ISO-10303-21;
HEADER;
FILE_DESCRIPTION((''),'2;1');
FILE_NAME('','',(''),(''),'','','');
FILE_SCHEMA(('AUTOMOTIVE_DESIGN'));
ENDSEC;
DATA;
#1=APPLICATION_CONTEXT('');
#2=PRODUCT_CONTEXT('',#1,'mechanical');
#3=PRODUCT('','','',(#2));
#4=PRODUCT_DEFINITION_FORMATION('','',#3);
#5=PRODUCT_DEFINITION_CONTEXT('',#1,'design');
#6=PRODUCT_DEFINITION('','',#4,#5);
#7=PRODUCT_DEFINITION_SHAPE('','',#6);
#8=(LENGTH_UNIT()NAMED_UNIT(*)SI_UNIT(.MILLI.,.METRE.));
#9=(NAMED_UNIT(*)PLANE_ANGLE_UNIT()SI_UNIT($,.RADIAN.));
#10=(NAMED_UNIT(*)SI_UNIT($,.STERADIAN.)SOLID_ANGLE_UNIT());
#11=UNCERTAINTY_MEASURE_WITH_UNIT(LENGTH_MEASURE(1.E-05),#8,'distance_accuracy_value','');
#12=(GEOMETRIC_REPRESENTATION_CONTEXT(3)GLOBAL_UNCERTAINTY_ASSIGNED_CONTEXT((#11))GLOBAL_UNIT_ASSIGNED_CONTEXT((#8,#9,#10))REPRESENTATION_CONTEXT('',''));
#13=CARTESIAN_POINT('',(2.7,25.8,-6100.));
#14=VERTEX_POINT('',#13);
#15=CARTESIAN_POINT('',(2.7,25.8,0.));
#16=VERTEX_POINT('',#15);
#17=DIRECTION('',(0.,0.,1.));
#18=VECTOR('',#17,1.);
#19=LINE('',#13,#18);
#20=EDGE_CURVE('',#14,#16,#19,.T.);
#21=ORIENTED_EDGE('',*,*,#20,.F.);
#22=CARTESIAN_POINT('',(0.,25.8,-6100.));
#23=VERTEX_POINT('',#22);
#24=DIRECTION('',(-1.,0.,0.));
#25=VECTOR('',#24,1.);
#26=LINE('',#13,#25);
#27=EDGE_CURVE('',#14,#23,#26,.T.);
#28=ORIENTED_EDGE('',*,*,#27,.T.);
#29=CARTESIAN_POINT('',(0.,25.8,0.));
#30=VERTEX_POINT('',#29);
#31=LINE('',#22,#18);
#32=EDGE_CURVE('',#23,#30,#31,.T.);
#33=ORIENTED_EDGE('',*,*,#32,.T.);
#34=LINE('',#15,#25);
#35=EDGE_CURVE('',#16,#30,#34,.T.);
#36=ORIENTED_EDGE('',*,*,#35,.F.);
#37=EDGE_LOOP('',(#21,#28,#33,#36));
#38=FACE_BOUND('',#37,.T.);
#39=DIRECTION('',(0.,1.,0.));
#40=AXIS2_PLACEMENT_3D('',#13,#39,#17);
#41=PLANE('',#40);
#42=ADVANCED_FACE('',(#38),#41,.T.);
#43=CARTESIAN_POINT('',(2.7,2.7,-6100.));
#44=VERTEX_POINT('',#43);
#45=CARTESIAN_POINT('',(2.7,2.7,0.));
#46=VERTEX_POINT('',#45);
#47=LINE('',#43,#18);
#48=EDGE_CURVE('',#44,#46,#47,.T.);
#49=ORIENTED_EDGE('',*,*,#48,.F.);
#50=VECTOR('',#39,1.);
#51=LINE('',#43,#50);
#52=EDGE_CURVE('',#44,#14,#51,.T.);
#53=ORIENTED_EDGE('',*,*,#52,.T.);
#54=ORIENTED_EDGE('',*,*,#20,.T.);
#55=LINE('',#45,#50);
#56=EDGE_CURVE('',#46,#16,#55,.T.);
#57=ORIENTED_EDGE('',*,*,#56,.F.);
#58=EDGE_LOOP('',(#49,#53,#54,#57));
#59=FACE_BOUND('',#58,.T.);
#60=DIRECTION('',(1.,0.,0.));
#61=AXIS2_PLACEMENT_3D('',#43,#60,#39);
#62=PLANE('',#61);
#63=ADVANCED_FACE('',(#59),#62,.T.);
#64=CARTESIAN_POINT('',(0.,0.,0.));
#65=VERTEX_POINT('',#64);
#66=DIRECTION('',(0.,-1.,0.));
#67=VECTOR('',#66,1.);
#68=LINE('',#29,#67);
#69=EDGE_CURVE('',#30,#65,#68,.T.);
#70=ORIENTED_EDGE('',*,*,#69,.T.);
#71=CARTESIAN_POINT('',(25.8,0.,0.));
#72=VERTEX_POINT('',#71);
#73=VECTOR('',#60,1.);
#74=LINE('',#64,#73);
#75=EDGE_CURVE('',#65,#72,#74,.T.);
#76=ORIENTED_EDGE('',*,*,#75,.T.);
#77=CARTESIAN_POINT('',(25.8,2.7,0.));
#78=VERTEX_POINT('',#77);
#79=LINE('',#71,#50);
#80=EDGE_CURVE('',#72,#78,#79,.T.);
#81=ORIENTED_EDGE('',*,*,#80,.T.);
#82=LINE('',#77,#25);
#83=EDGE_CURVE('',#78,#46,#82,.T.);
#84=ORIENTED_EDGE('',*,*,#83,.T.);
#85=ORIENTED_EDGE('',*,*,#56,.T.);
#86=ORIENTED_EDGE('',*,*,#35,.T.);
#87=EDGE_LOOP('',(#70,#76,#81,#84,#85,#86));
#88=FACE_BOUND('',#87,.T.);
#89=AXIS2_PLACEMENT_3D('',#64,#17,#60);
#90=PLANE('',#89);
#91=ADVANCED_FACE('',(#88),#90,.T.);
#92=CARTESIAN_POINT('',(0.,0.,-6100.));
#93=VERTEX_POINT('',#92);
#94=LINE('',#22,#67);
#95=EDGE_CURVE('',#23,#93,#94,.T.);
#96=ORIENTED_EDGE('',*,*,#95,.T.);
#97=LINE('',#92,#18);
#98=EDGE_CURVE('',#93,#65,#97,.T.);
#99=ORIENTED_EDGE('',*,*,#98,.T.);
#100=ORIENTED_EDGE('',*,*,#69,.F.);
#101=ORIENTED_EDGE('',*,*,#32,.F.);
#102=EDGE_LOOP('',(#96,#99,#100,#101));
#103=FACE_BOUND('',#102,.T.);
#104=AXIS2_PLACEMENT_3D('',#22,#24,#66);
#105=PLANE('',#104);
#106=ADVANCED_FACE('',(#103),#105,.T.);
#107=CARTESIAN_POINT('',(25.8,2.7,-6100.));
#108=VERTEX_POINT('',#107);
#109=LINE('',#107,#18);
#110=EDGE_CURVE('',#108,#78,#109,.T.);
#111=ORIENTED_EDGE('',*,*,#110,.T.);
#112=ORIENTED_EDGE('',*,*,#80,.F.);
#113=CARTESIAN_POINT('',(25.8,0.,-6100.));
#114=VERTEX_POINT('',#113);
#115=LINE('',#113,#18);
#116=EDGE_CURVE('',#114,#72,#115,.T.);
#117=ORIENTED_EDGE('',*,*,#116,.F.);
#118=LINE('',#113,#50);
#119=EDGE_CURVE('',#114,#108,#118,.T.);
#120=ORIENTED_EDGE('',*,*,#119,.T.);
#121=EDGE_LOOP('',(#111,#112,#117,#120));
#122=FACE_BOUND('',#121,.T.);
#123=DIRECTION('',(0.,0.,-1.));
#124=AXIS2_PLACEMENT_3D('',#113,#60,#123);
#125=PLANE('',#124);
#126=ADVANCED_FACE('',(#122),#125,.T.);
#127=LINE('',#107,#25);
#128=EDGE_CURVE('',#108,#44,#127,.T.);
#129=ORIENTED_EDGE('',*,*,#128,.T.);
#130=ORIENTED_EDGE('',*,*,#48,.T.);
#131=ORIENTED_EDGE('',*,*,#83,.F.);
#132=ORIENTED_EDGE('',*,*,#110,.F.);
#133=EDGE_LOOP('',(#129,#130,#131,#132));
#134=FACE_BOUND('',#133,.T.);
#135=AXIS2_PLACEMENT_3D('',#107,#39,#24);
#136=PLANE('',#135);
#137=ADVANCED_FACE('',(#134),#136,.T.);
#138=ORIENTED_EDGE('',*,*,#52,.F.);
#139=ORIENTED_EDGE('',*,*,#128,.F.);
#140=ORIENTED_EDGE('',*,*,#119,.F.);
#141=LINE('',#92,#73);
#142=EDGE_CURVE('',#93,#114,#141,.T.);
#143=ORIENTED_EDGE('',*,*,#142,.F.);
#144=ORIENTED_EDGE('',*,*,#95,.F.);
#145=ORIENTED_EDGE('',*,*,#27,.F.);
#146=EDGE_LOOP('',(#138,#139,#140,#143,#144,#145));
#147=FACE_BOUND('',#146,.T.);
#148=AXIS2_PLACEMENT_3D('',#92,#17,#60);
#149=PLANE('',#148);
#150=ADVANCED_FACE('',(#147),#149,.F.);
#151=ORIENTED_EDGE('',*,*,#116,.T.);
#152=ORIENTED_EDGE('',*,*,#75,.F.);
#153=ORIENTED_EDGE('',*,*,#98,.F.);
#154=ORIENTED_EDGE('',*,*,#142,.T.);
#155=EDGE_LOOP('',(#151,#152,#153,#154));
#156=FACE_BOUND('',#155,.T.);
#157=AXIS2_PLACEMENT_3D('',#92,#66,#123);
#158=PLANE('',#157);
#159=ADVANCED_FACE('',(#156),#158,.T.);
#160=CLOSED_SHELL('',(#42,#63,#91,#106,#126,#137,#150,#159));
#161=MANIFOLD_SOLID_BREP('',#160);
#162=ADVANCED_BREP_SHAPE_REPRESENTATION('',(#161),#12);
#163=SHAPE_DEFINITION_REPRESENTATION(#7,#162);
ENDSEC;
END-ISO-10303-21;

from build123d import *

# Parameters (mm, degrees)
SALIENTE_EXTRUIR1_DEPTH = 6100


with BuildPart() as part:
    # Croquis1 → Saliente-Extruir1 (new body)
    with BuildSketch(Plane.XY):
        Polygon((0, 25.8), (0, 0), (25.8, 0), (25.8, 2.7), (2.7, 2.7), (2.7, 25.8), align=None)
    extrude(amount=-SALIENTE_EXTRUIR1_DEPTH)


solid = part.part
